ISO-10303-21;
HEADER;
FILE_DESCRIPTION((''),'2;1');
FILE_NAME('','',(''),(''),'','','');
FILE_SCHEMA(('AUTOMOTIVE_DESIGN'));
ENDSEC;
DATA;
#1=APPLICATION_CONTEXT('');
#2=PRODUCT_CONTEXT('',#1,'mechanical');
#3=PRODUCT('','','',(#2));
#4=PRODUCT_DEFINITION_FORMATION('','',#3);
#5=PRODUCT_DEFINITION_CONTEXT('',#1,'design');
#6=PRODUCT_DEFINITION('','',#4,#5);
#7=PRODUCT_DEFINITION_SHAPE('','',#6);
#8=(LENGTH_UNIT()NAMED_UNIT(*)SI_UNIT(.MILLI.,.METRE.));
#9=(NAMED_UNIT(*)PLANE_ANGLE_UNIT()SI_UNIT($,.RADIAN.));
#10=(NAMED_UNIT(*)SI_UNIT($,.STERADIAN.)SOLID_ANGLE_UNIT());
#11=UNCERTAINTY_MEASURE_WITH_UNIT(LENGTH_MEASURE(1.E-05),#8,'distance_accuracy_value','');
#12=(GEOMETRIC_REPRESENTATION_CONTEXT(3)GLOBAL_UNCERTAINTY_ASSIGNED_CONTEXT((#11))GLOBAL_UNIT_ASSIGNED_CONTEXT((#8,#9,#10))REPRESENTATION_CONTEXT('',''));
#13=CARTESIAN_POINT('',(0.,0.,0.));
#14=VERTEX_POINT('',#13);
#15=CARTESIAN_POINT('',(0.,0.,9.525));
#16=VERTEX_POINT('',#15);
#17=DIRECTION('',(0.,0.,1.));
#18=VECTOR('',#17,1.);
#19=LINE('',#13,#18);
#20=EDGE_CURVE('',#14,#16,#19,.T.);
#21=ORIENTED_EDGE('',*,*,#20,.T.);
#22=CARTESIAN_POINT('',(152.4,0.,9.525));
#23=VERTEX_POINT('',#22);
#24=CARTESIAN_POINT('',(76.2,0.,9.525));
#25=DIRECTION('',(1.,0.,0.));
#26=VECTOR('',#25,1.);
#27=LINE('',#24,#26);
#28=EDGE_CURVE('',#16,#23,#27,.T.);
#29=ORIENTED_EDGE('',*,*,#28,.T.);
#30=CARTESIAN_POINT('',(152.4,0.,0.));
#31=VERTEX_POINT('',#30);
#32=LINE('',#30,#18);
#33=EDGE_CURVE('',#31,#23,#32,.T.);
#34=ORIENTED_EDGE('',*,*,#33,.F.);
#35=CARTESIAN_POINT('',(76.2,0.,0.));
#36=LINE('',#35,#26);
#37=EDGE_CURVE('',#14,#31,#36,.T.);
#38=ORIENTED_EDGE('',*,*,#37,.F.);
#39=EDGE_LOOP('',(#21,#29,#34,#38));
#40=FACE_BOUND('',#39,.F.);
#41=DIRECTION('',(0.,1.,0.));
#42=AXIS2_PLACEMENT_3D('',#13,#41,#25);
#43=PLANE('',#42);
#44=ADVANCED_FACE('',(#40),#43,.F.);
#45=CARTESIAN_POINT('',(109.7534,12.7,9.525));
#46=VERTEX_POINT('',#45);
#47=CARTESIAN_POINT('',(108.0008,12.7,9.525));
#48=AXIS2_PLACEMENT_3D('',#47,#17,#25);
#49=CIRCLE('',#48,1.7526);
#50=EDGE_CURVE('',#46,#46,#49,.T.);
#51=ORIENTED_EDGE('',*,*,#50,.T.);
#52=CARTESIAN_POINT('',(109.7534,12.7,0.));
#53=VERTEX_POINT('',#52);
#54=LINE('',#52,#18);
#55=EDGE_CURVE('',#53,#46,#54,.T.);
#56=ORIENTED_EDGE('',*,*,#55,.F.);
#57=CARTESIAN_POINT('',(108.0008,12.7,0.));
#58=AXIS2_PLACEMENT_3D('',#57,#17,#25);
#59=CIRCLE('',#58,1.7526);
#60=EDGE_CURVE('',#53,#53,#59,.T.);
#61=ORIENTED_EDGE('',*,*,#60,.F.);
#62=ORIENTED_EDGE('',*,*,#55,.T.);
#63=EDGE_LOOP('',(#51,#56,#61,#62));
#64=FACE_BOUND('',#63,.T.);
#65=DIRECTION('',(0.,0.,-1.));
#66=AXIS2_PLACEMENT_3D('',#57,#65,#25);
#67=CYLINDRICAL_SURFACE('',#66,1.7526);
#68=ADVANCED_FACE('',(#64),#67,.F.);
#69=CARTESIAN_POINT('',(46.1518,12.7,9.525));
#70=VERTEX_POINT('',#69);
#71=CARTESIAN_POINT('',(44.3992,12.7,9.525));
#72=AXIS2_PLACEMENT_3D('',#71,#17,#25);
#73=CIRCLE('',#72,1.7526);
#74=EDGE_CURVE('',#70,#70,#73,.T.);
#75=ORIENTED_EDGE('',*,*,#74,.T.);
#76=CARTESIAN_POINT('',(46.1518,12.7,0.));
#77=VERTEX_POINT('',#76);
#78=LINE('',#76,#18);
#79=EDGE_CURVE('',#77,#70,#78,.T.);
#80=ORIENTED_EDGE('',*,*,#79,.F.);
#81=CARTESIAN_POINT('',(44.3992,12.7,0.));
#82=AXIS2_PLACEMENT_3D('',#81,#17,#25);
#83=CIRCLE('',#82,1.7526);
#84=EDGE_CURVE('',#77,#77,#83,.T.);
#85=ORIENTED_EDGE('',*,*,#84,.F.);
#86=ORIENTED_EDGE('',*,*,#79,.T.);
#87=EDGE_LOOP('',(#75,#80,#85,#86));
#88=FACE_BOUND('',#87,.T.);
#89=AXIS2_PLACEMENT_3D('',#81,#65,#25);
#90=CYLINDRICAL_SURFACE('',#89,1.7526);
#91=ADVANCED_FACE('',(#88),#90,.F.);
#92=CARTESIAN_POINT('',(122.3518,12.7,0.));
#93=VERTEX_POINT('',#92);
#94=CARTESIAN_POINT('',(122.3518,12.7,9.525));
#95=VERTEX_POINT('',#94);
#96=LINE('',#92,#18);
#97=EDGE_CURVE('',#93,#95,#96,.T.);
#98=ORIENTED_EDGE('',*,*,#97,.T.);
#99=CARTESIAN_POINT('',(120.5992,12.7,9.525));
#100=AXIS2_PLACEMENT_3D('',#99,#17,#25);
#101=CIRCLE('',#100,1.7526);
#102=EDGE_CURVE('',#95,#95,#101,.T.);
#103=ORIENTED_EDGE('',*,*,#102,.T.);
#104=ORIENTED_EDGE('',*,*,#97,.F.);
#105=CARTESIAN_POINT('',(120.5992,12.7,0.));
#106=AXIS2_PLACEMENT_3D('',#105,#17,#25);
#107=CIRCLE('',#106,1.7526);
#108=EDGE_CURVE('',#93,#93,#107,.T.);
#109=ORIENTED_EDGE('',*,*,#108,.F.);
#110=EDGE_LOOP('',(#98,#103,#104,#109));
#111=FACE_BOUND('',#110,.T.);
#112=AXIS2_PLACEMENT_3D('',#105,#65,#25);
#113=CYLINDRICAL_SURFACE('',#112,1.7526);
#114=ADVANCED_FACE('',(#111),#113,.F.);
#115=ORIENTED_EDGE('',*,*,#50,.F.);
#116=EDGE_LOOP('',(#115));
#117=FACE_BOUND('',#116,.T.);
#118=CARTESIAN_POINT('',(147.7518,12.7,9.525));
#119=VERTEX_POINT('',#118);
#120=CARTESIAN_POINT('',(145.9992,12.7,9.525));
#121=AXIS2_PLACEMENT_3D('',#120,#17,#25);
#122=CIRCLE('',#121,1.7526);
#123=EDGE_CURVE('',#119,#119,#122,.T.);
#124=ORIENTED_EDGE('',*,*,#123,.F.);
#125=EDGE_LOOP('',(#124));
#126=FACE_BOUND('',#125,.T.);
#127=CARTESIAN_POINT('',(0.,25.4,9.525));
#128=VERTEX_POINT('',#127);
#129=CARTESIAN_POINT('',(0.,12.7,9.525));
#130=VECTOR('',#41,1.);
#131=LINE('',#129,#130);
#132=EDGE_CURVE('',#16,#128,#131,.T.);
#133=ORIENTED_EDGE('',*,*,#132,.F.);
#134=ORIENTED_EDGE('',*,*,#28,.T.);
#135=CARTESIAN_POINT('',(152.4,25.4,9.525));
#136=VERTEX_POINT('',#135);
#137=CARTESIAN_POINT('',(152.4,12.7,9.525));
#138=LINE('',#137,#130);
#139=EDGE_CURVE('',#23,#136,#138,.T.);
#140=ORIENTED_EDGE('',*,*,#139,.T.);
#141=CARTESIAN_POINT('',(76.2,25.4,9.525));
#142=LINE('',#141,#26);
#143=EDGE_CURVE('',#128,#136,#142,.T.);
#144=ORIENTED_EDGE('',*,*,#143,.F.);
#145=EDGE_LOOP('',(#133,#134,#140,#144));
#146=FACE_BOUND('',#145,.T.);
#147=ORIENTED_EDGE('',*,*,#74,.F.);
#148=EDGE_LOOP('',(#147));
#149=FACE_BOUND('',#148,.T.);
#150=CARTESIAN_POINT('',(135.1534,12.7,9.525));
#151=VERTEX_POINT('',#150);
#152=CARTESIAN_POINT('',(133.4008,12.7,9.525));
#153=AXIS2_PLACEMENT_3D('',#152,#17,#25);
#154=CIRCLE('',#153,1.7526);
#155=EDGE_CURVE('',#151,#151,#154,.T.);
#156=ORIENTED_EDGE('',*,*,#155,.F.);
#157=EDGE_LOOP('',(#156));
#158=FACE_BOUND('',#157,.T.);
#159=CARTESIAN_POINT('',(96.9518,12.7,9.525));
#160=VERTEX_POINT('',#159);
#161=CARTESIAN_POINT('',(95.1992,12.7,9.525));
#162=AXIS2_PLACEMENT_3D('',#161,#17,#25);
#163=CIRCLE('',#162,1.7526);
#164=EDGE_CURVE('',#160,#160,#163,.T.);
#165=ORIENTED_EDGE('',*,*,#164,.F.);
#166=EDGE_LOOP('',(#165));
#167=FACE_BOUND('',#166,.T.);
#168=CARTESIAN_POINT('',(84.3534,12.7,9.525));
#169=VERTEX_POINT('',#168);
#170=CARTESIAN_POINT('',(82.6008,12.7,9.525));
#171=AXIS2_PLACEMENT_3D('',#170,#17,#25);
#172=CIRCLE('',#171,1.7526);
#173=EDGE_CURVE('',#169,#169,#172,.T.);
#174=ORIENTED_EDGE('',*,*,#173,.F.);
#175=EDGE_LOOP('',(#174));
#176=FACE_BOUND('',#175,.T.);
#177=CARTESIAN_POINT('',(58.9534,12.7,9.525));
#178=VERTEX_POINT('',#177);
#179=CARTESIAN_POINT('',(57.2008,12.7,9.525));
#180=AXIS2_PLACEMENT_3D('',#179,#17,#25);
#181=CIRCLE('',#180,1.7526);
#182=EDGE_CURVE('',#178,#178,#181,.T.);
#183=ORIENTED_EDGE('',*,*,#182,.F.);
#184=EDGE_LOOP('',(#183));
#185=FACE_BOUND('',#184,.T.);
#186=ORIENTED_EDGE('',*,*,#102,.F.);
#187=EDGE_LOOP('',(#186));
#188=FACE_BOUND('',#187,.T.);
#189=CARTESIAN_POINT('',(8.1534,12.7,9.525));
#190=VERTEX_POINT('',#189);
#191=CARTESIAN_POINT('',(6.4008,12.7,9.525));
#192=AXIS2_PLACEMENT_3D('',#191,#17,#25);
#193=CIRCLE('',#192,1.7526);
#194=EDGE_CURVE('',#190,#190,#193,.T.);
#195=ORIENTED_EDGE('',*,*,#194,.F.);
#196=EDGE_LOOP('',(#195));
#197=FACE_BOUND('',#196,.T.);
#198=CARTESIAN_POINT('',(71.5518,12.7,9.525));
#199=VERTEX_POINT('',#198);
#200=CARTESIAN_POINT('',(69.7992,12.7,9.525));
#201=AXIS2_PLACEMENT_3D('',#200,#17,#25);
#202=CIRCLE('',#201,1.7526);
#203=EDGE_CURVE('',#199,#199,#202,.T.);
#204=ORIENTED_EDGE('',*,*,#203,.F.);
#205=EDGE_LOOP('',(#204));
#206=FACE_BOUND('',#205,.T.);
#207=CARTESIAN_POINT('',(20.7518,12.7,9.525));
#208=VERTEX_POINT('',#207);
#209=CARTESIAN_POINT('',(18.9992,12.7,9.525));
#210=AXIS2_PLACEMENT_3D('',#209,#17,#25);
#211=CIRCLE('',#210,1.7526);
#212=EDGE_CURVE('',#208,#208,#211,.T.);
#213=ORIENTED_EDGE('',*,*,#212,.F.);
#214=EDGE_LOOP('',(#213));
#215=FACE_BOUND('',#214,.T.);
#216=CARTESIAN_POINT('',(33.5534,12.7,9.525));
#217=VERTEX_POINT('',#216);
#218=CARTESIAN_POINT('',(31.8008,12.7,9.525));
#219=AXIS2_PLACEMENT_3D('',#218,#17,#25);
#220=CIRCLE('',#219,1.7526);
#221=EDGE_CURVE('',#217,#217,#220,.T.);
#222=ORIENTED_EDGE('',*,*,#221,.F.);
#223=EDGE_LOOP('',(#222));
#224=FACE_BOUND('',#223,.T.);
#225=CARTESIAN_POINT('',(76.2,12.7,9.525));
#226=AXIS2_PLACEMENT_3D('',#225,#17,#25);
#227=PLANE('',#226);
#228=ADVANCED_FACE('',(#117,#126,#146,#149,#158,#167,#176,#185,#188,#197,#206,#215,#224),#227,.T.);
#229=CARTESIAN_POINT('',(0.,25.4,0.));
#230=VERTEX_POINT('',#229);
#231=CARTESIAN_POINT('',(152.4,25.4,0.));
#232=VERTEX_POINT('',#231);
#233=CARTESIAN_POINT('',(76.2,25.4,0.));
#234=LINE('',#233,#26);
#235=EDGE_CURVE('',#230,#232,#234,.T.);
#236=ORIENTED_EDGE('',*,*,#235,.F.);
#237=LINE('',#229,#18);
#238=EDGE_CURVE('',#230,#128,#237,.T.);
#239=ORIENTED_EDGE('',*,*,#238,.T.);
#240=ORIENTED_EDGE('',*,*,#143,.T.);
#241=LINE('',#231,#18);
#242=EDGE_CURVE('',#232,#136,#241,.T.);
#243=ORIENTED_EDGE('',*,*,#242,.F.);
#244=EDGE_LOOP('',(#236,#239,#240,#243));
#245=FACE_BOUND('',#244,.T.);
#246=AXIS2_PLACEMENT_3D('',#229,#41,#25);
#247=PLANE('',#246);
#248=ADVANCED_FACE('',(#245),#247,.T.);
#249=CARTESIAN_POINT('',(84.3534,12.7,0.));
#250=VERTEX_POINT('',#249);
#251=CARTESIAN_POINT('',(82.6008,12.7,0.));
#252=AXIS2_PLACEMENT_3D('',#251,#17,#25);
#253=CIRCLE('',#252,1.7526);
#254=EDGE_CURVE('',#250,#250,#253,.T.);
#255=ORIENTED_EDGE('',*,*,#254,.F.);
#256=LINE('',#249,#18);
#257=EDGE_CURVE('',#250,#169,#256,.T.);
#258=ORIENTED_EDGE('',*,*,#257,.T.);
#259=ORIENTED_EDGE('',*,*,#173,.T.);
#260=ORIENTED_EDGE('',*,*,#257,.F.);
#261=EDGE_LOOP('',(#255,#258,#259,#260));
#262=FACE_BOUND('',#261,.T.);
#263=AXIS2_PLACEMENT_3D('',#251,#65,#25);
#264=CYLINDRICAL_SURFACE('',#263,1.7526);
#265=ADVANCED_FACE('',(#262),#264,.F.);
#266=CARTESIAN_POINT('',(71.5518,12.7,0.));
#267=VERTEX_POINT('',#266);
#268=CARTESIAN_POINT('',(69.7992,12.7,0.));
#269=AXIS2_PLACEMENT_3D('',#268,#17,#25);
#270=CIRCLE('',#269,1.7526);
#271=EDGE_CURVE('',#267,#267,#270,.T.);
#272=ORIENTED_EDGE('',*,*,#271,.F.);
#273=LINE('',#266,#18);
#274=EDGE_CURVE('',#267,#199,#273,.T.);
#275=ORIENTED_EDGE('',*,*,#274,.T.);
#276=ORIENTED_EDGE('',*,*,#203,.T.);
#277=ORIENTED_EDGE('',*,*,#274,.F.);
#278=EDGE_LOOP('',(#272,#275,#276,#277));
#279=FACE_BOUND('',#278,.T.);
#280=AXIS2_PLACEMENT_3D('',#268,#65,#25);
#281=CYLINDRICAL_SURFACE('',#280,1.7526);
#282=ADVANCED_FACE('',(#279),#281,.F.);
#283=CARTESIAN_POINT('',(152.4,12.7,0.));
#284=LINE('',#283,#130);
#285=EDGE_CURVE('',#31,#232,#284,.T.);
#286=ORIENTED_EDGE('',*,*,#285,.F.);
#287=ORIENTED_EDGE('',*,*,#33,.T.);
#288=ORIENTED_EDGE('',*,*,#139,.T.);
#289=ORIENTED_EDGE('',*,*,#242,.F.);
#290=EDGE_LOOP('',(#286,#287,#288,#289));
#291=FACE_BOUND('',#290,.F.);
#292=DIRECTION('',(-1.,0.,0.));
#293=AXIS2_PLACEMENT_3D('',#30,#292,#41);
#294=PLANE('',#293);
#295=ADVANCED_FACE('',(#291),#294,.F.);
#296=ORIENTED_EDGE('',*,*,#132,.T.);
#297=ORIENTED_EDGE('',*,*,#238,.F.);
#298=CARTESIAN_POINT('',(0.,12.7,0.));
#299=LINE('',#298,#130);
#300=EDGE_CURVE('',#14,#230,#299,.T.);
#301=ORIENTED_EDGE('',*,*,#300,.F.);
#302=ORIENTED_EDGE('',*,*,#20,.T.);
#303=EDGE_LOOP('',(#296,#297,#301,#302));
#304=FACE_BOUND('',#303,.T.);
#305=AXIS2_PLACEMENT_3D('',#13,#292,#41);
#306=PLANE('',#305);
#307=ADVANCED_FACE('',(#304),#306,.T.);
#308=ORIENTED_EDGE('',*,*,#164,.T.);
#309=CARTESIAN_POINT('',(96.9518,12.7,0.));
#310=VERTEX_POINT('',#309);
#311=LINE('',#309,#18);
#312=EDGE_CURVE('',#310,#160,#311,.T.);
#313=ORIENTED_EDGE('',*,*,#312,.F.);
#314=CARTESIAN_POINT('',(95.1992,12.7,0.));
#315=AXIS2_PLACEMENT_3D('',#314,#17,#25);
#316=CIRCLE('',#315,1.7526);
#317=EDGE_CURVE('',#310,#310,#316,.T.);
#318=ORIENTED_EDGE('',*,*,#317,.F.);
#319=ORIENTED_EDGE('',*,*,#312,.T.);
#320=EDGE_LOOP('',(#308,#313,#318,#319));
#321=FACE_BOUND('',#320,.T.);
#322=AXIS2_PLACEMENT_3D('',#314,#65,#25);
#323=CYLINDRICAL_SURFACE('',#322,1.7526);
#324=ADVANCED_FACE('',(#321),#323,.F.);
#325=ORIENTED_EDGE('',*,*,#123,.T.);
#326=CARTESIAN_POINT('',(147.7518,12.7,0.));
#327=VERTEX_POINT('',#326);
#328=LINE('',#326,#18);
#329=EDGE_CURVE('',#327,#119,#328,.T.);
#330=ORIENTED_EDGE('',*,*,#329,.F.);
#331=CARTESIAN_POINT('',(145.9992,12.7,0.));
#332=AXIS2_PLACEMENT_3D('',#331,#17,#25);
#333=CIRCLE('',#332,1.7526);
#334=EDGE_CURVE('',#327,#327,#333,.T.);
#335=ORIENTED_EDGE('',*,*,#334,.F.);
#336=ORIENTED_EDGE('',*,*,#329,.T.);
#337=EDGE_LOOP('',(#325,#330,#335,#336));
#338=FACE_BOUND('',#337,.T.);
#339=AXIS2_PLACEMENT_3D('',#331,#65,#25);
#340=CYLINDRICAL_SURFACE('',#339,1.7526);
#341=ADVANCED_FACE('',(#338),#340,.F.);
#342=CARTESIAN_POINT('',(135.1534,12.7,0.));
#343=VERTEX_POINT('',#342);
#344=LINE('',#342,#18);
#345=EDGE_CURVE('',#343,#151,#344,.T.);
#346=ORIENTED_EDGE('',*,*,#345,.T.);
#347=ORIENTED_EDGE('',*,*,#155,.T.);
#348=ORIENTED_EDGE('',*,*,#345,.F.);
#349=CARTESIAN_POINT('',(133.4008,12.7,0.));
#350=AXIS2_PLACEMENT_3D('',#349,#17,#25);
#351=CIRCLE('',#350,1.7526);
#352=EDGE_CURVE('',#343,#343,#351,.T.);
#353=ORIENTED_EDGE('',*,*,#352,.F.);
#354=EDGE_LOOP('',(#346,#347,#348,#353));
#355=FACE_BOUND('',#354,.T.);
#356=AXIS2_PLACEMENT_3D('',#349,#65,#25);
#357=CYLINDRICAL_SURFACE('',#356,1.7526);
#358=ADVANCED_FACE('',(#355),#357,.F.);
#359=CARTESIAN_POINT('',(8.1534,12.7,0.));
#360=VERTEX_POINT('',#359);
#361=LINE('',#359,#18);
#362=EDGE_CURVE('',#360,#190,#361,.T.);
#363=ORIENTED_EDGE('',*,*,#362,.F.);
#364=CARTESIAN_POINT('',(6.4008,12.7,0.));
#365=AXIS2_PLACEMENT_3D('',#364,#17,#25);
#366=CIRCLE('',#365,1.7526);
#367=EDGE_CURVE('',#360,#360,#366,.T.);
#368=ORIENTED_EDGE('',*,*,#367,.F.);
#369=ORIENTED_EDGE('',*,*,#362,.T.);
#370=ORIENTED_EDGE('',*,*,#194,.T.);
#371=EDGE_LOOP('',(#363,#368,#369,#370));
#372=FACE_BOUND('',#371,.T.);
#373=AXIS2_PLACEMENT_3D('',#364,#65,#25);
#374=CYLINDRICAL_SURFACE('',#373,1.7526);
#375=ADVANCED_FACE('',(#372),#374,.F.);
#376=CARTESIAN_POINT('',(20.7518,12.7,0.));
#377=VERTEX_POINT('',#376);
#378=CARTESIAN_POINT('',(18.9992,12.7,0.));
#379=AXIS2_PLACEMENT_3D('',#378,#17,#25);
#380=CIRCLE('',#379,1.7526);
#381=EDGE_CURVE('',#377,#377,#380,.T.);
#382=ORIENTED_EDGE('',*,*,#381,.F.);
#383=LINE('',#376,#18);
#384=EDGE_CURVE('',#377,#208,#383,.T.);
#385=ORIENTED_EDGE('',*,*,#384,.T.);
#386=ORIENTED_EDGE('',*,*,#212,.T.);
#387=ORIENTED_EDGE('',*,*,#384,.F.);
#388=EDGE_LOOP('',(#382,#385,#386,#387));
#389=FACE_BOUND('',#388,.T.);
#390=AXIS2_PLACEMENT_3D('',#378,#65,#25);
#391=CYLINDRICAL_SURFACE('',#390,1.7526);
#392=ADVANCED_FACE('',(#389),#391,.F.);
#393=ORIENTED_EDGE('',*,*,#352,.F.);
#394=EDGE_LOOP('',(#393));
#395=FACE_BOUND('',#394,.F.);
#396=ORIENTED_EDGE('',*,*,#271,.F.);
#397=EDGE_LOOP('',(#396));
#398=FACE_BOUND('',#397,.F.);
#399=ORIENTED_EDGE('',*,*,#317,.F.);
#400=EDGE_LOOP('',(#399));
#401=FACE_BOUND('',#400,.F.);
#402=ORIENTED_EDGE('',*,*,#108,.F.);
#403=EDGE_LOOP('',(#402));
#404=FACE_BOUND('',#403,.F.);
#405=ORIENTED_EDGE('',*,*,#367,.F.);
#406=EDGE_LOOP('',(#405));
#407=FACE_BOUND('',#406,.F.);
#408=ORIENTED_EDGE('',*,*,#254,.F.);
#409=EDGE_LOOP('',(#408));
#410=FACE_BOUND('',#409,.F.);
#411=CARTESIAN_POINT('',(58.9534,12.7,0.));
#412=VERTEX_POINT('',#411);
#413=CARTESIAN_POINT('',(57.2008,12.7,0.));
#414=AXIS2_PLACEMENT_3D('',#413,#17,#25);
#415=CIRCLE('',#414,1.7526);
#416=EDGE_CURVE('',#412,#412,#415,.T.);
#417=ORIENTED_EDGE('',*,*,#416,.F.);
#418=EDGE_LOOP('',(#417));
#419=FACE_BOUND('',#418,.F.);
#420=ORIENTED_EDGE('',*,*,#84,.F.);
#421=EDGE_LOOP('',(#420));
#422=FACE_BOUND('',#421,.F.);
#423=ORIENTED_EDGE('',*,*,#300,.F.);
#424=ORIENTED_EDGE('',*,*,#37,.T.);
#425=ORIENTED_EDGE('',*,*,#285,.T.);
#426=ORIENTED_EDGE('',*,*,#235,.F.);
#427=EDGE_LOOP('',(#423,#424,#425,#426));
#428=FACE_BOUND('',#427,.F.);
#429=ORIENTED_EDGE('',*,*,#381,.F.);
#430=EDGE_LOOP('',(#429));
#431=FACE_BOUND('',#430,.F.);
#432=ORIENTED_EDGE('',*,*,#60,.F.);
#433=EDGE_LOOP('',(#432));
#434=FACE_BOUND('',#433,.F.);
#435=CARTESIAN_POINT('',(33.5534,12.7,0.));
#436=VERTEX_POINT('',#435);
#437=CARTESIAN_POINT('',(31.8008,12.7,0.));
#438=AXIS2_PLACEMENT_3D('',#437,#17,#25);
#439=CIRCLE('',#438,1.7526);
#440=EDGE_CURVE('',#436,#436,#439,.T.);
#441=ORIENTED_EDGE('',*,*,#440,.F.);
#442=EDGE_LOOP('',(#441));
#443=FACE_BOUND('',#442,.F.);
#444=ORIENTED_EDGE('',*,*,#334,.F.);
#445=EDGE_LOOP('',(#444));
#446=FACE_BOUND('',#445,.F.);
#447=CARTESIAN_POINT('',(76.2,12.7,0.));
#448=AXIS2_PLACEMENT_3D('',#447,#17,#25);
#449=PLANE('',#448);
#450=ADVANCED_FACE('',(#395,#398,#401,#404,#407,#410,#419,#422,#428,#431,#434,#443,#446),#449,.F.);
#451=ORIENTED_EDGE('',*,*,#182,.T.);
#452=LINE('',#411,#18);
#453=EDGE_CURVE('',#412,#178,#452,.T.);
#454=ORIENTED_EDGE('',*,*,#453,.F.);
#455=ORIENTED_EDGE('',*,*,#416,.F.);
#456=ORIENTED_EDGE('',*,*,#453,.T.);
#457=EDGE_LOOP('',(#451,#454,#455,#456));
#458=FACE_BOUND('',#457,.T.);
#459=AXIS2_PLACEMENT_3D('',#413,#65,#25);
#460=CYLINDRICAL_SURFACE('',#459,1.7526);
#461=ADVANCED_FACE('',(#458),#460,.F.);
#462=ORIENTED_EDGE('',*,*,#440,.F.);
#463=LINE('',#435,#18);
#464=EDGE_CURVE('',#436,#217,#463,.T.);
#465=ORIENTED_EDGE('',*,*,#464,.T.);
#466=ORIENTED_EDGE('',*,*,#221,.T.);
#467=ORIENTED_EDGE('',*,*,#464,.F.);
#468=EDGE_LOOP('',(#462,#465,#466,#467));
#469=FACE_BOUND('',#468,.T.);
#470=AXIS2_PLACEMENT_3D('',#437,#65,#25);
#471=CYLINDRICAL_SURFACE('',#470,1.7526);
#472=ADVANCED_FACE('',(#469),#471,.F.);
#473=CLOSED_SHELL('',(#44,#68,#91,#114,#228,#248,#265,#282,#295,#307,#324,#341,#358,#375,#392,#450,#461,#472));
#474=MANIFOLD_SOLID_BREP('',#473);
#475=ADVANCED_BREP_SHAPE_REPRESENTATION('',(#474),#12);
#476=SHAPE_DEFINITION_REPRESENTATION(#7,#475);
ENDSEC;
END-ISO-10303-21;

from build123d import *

# Parameters (mm, degrees)
F0_W     = 152.4
F0_H     = 25.4
F0_R     = 1.7526
F1_DEPTH = 9.525


with BuildPart() as f1:
    # F0 (on Top) → F1 (new body)
    with BuildSketch(Plane.XY):
        with Locations((76.2, 12.7)):
            Rectangle(F0_W, F0_H)
        with Locations((6.4008, 12.7)):
            Circle(F0_R, mode=Mode.SUBTRACT)
        with Locations((18.9992, 12.7)):
            Circle(F0_R, mode=Mode.SUBTRACT)
        with Locations((31.8008, 12.7)):
            Circle(F0_R, mode=Mode.SUBTRACT)
        with Locations((44.3992, 12.7)):
            Circle(F0_R, mode=Mode.SUBTRACT)
        with Locations((57.2008, 12.7)):
            Circle(F0_R, mode=Mode.SUBTRACT)
        with Locations((69.7992, 12.7)):
            Circle(F0_R, mode=Mode.SUBTRACT)
        with Locations((82.6008, 12.7)):
            Circle(F0_R, mode=Mode.SUBTRACT)
        with Locations((95.1992, 12.7)):
            Circle(F0_R, mode=Mode.SUBTRACT)
        with Locations((108.0008, 12.7)):
            Circle(F0_R, mode=Mode.SUBTRACT)
        with Locations((120.5992, 12.7)):
            Circle(F0_R, mode=Mode.SUBTRACT)
        with Locations((133.4008, 12.7)):
            Circle(F0_R, mode=Mode.SUBTRACT)
        with Locations((145.9992, 12.7)):
            Circle(F0_R, mode=Mode.SUBTRACT)
    extrude(amount=F1_DEPTH)


solid = f1.part
